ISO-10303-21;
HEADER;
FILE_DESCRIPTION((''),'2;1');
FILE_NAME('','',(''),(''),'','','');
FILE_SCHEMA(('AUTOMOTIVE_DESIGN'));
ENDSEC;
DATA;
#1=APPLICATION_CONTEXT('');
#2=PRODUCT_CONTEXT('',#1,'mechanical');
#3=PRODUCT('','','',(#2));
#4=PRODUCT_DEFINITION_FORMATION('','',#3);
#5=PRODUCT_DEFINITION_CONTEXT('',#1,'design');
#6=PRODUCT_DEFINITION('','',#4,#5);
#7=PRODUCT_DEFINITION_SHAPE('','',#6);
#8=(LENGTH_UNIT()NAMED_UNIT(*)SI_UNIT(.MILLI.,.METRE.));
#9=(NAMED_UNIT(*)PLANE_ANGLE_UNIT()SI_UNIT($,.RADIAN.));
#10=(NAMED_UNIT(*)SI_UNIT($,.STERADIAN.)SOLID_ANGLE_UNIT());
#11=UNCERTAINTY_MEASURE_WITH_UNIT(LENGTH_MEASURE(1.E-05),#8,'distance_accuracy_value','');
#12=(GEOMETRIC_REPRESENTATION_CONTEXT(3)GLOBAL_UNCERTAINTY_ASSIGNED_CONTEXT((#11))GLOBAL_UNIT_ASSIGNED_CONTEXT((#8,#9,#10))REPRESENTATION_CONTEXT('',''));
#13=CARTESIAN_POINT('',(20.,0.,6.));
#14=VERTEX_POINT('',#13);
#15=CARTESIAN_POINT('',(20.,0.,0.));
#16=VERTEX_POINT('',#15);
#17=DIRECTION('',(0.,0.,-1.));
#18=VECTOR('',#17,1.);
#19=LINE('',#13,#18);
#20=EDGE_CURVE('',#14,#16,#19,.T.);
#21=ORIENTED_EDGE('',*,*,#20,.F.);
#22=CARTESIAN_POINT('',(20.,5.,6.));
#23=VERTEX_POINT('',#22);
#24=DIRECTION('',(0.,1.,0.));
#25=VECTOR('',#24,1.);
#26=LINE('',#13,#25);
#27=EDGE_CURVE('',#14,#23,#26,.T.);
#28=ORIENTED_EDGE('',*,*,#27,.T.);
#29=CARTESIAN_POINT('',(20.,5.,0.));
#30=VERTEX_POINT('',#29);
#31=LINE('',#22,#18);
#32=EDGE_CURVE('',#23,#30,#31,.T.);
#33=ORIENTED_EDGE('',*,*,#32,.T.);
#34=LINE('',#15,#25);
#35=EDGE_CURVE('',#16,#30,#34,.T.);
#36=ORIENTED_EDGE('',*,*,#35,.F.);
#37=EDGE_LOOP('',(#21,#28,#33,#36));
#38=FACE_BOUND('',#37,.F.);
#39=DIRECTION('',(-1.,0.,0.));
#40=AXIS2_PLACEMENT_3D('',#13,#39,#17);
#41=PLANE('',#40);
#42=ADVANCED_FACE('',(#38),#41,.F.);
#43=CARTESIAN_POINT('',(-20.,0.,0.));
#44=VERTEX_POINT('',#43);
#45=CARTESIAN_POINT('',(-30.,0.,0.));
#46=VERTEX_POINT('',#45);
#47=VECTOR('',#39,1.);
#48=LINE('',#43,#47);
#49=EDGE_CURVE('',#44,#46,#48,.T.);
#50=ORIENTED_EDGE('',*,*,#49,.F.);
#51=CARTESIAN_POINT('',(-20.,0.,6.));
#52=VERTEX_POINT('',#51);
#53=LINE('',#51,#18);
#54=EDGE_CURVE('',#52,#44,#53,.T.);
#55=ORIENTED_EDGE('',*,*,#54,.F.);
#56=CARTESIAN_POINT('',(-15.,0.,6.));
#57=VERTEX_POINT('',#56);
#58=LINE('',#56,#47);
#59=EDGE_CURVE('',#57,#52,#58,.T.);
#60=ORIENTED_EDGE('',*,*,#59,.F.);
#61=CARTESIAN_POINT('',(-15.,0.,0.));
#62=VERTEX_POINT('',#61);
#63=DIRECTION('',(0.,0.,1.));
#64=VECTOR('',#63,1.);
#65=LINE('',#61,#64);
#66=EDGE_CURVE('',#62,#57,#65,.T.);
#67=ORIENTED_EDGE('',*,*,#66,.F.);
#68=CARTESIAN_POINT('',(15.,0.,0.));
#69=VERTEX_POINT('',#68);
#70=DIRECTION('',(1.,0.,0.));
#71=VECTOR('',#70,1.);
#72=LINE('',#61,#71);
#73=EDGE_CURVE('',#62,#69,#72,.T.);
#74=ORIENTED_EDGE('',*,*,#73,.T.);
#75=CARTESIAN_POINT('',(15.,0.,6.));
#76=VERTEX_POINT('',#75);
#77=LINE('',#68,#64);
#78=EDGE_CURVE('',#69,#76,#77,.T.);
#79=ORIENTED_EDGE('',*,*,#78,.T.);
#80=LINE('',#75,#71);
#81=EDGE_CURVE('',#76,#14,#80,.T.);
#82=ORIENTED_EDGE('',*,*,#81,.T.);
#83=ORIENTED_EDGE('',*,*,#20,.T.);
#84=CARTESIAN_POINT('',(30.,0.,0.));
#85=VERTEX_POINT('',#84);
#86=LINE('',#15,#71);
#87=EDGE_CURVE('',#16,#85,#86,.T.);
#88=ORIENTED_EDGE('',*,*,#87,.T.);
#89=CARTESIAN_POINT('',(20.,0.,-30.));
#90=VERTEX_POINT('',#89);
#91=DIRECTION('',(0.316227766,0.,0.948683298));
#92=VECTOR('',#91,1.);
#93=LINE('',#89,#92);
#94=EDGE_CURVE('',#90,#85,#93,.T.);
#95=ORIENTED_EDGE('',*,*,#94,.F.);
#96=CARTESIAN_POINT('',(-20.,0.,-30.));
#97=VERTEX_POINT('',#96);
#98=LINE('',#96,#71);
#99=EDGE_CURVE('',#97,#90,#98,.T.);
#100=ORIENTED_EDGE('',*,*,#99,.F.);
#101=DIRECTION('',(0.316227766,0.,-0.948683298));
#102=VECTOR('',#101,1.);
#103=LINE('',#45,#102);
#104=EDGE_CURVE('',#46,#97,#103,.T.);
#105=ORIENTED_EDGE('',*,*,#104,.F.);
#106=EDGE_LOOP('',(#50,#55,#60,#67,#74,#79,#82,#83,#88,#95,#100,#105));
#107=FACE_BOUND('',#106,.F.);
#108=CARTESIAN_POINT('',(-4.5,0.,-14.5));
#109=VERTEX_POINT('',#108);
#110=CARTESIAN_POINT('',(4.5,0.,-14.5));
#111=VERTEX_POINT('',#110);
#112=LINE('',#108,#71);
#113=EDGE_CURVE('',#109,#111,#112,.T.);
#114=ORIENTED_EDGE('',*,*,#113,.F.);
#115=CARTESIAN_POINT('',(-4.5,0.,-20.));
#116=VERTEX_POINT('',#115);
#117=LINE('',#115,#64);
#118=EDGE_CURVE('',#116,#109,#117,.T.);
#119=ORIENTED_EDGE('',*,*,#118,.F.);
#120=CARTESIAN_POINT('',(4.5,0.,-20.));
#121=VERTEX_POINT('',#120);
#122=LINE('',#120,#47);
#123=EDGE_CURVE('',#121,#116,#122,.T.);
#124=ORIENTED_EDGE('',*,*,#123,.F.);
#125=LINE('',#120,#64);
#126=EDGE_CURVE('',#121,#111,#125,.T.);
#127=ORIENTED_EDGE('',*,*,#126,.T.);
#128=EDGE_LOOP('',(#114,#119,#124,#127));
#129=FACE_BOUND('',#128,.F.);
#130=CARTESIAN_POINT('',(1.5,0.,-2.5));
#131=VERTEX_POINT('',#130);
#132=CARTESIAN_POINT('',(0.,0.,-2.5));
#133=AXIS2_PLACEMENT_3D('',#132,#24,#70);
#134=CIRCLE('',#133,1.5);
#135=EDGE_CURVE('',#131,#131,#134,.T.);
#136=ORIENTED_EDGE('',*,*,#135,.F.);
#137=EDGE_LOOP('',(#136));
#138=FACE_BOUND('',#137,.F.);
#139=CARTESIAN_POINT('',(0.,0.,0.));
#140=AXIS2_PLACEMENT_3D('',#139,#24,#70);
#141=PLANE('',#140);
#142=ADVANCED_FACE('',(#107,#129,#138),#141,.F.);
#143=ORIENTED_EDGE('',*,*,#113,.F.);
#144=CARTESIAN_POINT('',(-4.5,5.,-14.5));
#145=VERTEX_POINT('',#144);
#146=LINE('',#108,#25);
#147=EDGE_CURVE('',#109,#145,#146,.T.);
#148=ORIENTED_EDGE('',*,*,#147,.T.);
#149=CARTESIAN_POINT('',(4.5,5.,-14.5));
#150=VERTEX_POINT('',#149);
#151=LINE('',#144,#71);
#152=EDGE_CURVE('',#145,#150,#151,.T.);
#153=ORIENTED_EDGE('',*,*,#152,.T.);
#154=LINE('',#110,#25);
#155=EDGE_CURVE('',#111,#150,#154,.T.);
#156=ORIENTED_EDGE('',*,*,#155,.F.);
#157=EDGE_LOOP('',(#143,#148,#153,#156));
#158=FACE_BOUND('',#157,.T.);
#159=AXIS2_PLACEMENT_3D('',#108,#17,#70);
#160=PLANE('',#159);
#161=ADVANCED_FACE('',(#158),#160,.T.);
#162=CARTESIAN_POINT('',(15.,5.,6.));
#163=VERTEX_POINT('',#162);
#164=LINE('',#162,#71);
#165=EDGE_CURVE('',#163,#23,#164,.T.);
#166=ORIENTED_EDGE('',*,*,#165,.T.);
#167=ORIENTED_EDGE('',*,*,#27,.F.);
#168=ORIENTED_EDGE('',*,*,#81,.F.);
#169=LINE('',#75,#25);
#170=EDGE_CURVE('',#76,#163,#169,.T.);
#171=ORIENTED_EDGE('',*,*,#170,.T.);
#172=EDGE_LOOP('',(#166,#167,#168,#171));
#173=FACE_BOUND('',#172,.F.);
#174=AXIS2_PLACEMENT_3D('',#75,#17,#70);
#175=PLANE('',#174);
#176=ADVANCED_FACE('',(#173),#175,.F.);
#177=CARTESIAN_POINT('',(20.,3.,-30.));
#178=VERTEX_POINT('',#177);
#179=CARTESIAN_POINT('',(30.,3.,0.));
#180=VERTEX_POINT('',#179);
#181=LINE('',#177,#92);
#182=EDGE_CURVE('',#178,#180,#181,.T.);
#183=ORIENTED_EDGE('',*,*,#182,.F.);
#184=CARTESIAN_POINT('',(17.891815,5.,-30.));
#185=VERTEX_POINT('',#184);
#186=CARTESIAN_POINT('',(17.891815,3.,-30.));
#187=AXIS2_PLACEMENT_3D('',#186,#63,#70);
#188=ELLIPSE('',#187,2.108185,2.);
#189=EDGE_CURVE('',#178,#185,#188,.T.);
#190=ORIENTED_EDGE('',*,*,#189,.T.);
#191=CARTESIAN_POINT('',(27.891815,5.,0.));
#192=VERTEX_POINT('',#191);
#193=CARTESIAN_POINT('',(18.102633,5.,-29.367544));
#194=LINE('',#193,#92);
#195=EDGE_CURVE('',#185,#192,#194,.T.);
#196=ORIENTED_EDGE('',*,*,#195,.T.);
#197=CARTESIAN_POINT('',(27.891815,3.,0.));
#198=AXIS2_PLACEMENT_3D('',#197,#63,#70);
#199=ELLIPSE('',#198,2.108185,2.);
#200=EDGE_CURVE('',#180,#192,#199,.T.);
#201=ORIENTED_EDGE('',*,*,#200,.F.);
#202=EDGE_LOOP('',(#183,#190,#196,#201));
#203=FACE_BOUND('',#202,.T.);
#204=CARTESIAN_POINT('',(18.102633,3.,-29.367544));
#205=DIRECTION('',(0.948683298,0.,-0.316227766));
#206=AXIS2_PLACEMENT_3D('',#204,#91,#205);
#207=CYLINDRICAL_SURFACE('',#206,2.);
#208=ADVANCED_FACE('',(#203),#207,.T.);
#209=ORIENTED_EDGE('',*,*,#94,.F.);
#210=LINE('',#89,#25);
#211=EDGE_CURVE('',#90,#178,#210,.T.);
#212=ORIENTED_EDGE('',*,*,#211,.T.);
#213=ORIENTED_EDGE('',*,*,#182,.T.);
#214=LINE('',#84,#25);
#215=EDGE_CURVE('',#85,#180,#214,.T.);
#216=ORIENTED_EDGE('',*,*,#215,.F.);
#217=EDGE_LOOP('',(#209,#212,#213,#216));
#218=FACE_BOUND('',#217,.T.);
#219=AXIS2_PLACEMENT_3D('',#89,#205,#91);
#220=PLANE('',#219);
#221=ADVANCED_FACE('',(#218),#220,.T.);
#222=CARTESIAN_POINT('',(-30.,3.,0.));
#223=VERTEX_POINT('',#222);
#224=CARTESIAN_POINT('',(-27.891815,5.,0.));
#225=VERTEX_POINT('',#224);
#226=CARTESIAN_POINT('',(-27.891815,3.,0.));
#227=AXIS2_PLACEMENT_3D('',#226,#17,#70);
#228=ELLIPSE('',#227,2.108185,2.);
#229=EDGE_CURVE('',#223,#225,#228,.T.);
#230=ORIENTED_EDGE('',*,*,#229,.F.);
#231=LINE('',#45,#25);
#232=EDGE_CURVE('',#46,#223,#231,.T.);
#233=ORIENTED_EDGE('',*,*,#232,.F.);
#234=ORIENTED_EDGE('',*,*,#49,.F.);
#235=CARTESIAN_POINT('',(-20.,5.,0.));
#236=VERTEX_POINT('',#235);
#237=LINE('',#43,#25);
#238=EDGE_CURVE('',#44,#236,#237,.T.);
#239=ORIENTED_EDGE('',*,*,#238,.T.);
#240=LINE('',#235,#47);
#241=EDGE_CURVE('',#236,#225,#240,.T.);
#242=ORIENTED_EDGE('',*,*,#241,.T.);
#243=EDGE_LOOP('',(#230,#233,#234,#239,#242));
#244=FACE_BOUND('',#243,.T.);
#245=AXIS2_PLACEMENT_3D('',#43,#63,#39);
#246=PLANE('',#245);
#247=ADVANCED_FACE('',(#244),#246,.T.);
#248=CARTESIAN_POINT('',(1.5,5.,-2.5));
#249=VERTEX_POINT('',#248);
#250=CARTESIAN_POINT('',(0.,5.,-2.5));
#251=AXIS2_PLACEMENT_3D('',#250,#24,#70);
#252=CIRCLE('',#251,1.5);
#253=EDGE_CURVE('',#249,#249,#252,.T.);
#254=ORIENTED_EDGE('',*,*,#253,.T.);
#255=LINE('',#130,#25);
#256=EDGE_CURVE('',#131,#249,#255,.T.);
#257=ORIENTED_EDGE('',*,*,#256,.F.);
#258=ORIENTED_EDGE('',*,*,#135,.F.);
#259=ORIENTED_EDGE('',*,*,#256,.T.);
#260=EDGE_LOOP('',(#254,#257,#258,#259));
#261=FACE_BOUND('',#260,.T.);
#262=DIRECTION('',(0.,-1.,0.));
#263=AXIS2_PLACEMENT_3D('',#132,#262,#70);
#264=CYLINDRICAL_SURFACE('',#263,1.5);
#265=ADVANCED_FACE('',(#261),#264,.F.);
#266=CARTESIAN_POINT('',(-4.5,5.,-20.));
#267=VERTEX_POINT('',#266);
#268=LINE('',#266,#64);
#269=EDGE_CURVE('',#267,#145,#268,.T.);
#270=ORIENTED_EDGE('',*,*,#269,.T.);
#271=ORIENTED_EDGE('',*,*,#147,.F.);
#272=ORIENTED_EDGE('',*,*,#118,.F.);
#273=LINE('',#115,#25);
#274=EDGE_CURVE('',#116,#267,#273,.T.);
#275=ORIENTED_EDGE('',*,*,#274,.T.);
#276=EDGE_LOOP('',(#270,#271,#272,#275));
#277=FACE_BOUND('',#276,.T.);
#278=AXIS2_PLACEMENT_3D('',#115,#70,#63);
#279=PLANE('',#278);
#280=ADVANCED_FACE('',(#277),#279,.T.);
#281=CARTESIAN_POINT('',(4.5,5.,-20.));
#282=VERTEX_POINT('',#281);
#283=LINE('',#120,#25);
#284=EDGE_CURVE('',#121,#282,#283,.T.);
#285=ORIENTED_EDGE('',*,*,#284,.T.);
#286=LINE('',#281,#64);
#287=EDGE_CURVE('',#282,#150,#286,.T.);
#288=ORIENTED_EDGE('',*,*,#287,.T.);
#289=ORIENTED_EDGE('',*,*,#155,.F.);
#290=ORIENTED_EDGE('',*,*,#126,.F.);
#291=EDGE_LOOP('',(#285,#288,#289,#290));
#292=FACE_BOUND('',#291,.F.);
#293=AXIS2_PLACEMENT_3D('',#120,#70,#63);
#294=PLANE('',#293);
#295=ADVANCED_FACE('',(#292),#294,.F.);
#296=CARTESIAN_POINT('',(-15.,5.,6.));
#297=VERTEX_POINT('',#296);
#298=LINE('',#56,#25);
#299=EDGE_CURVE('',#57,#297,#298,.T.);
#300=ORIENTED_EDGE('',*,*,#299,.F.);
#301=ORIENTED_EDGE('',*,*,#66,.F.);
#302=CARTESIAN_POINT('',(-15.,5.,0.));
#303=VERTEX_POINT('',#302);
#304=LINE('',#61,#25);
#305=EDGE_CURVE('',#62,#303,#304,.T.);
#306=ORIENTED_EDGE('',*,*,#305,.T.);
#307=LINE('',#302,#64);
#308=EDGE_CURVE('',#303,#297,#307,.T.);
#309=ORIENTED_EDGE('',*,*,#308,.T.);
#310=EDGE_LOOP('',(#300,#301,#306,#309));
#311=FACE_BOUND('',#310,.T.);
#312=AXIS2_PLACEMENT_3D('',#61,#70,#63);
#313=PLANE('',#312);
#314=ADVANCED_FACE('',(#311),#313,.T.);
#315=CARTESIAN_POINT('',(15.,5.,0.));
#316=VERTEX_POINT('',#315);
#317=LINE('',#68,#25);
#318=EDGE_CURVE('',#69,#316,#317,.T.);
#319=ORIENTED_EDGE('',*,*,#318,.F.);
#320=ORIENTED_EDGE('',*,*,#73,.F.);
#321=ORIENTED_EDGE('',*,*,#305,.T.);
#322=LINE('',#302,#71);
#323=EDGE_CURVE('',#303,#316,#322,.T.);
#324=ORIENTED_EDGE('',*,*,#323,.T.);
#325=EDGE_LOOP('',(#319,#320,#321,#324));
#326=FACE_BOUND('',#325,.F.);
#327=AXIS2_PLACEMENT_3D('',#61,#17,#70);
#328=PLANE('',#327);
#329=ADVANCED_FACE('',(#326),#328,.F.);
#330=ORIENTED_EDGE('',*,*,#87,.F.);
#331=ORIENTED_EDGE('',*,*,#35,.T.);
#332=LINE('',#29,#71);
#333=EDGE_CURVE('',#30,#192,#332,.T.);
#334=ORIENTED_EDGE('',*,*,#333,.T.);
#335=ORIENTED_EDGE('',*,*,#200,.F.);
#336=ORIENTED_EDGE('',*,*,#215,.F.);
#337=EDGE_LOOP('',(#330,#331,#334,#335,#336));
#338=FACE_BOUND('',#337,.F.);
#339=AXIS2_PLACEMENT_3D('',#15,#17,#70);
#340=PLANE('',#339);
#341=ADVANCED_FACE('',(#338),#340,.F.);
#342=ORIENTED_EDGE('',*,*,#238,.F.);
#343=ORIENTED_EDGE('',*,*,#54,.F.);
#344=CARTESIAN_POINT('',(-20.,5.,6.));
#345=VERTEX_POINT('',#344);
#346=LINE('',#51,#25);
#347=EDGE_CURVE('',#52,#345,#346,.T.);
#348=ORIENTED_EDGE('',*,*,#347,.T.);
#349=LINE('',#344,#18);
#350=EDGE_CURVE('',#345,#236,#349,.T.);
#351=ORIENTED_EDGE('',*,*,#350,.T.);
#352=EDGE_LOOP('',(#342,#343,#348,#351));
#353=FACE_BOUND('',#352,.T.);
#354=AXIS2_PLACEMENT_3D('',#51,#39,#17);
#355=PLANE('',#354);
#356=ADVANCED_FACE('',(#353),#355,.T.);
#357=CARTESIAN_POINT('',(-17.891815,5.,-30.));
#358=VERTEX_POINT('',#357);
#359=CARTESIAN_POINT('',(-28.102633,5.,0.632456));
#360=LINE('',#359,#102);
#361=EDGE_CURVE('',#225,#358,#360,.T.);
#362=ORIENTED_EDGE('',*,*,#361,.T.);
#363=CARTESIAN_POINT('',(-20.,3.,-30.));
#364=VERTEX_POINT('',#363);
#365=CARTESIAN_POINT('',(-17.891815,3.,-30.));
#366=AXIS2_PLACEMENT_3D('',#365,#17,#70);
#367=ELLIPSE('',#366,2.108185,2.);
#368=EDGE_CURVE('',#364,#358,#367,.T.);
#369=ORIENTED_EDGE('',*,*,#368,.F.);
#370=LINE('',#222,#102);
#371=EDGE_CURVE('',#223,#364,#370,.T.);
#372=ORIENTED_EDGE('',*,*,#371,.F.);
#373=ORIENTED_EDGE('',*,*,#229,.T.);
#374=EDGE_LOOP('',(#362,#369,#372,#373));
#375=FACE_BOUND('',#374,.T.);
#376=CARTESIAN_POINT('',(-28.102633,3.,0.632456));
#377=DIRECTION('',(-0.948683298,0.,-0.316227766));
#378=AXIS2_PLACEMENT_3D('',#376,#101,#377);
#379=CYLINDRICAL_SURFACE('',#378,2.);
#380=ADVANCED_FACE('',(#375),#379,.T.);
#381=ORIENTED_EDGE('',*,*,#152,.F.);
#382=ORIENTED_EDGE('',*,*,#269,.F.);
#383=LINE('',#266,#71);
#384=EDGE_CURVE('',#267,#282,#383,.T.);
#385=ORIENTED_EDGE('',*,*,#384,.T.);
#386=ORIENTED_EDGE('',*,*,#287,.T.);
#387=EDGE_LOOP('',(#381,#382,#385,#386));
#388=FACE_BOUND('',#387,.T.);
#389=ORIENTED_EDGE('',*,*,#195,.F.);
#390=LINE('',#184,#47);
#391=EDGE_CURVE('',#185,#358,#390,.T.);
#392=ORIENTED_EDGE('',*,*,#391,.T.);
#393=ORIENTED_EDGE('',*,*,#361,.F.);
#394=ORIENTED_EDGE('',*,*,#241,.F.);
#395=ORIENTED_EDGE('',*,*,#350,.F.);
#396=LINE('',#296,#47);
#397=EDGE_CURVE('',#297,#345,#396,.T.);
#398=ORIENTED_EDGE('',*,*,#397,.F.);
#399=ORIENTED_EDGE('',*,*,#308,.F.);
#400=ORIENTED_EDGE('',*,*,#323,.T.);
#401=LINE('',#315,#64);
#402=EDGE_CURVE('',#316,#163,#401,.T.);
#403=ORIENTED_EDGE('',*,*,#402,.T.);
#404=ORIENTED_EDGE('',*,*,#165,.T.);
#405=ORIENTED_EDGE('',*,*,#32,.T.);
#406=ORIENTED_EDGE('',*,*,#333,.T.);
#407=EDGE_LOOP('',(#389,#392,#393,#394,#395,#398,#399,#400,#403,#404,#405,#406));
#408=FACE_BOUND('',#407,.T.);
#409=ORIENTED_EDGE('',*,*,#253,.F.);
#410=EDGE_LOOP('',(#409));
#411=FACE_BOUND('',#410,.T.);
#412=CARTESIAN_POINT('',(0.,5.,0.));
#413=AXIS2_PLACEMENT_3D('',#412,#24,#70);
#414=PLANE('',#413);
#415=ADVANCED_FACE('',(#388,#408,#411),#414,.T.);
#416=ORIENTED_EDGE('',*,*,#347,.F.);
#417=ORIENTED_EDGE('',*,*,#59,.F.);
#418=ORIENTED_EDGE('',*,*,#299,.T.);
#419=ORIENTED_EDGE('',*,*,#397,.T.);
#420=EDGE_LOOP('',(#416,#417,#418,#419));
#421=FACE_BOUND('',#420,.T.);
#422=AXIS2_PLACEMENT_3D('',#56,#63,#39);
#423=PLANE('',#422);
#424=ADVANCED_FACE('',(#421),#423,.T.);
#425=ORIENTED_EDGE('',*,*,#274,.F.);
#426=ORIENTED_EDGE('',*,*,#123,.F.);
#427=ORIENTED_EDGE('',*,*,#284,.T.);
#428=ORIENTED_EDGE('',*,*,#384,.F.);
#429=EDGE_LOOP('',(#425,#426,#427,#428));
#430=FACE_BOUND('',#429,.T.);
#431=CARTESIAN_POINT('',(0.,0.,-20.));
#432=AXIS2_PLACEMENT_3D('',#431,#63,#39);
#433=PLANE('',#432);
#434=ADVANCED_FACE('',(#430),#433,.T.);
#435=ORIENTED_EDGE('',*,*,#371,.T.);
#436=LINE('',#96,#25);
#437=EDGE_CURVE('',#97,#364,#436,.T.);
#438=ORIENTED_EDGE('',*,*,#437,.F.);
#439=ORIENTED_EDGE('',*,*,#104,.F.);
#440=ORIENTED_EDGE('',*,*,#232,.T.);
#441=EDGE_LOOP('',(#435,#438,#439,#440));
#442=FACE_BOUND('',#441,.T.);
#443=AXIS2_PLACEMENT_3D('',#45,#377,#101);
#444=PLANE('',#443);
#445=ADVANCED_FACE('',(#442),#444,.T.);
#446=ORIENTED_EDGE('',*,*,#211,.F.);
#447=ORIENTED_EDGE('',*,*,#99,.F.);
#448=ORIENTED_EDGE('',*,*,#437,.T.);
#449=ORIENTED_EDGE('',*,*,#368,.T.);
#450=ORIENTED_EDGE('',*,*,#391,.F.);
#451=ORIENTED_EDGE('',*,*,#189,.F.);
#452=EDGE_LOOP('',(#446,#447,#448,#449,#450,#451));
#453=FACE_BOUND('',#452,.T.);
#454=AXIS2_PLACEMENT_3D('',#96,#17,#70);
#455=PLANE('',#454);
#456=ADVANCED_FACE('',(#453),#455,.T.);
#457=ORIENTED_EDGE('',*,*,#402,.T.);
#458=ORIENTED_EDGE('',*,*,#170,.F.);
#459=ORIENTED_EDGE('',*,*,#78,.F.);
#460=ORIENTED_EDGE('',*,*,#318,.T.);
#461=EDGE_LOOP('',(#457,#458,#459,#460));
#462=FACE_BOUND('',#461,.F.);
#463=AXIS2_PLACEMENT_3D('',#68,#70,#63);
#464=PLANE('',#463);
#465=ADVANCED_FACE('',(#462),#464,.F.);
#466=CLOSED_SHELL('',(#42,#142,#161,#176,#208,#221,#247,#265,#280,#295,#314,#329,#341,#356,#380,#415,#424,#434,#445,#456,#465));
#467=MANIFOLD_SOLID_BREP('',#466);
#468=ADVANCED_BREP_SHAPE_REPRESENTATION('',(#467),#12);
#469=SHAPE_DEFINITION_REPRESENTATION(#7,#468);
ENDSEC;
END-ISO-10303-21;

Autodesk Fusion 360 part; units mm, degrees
sketch "Sketch1" plane through (0, 0, 0) normal (0, 1, 0) x (1, 0, 0)
  line L0 (-15, 0) -> (-15, -6)
  line L1 (-15, -6) -> (-20, -6)
  line L2 (-20, -6) -> (-20, 0)
  line L3 (15, 0) -> (15, -6)
  line L4 (15, -6) -> (20, -6)
  line L5 (20, -6) -> (20, 0)
  line L6 (-15, 0) -> (15, 0)
  line L7 (20, 0) -> (30, 0)
  line L8 (-20, 0) -> (-30, 0)
  line L9 (-30, 0) -> (-20, 30)
  line L10 (-20, 30) -> (0, 30)
  line L11 (0, 30) -> (20, 30)
  line L12 (20, 30) -> (30, 0)
  line L13 (0, 20) -> (-4.5, 20)
  line L14 (-4.5, 20) -> (-4.5, 14.5)
  line L15 (-4.5, 14.5) -> (4.5, 14.5)
  line L16 (0, 20) -> (4.5, 20)
  line L17 (4.5, 20) -> (4.5, 14.5)
  circle A0 centre (0, 2.5) radius 1.5
  dimension "d15" = 3
extrude "Extrude2" add sketch "Sketch1" along normal blind 5
fillet "Fillet2" radius 2 3 edges at (0, 5, -30) (-25, 5, -15) (25, 5, -15)
